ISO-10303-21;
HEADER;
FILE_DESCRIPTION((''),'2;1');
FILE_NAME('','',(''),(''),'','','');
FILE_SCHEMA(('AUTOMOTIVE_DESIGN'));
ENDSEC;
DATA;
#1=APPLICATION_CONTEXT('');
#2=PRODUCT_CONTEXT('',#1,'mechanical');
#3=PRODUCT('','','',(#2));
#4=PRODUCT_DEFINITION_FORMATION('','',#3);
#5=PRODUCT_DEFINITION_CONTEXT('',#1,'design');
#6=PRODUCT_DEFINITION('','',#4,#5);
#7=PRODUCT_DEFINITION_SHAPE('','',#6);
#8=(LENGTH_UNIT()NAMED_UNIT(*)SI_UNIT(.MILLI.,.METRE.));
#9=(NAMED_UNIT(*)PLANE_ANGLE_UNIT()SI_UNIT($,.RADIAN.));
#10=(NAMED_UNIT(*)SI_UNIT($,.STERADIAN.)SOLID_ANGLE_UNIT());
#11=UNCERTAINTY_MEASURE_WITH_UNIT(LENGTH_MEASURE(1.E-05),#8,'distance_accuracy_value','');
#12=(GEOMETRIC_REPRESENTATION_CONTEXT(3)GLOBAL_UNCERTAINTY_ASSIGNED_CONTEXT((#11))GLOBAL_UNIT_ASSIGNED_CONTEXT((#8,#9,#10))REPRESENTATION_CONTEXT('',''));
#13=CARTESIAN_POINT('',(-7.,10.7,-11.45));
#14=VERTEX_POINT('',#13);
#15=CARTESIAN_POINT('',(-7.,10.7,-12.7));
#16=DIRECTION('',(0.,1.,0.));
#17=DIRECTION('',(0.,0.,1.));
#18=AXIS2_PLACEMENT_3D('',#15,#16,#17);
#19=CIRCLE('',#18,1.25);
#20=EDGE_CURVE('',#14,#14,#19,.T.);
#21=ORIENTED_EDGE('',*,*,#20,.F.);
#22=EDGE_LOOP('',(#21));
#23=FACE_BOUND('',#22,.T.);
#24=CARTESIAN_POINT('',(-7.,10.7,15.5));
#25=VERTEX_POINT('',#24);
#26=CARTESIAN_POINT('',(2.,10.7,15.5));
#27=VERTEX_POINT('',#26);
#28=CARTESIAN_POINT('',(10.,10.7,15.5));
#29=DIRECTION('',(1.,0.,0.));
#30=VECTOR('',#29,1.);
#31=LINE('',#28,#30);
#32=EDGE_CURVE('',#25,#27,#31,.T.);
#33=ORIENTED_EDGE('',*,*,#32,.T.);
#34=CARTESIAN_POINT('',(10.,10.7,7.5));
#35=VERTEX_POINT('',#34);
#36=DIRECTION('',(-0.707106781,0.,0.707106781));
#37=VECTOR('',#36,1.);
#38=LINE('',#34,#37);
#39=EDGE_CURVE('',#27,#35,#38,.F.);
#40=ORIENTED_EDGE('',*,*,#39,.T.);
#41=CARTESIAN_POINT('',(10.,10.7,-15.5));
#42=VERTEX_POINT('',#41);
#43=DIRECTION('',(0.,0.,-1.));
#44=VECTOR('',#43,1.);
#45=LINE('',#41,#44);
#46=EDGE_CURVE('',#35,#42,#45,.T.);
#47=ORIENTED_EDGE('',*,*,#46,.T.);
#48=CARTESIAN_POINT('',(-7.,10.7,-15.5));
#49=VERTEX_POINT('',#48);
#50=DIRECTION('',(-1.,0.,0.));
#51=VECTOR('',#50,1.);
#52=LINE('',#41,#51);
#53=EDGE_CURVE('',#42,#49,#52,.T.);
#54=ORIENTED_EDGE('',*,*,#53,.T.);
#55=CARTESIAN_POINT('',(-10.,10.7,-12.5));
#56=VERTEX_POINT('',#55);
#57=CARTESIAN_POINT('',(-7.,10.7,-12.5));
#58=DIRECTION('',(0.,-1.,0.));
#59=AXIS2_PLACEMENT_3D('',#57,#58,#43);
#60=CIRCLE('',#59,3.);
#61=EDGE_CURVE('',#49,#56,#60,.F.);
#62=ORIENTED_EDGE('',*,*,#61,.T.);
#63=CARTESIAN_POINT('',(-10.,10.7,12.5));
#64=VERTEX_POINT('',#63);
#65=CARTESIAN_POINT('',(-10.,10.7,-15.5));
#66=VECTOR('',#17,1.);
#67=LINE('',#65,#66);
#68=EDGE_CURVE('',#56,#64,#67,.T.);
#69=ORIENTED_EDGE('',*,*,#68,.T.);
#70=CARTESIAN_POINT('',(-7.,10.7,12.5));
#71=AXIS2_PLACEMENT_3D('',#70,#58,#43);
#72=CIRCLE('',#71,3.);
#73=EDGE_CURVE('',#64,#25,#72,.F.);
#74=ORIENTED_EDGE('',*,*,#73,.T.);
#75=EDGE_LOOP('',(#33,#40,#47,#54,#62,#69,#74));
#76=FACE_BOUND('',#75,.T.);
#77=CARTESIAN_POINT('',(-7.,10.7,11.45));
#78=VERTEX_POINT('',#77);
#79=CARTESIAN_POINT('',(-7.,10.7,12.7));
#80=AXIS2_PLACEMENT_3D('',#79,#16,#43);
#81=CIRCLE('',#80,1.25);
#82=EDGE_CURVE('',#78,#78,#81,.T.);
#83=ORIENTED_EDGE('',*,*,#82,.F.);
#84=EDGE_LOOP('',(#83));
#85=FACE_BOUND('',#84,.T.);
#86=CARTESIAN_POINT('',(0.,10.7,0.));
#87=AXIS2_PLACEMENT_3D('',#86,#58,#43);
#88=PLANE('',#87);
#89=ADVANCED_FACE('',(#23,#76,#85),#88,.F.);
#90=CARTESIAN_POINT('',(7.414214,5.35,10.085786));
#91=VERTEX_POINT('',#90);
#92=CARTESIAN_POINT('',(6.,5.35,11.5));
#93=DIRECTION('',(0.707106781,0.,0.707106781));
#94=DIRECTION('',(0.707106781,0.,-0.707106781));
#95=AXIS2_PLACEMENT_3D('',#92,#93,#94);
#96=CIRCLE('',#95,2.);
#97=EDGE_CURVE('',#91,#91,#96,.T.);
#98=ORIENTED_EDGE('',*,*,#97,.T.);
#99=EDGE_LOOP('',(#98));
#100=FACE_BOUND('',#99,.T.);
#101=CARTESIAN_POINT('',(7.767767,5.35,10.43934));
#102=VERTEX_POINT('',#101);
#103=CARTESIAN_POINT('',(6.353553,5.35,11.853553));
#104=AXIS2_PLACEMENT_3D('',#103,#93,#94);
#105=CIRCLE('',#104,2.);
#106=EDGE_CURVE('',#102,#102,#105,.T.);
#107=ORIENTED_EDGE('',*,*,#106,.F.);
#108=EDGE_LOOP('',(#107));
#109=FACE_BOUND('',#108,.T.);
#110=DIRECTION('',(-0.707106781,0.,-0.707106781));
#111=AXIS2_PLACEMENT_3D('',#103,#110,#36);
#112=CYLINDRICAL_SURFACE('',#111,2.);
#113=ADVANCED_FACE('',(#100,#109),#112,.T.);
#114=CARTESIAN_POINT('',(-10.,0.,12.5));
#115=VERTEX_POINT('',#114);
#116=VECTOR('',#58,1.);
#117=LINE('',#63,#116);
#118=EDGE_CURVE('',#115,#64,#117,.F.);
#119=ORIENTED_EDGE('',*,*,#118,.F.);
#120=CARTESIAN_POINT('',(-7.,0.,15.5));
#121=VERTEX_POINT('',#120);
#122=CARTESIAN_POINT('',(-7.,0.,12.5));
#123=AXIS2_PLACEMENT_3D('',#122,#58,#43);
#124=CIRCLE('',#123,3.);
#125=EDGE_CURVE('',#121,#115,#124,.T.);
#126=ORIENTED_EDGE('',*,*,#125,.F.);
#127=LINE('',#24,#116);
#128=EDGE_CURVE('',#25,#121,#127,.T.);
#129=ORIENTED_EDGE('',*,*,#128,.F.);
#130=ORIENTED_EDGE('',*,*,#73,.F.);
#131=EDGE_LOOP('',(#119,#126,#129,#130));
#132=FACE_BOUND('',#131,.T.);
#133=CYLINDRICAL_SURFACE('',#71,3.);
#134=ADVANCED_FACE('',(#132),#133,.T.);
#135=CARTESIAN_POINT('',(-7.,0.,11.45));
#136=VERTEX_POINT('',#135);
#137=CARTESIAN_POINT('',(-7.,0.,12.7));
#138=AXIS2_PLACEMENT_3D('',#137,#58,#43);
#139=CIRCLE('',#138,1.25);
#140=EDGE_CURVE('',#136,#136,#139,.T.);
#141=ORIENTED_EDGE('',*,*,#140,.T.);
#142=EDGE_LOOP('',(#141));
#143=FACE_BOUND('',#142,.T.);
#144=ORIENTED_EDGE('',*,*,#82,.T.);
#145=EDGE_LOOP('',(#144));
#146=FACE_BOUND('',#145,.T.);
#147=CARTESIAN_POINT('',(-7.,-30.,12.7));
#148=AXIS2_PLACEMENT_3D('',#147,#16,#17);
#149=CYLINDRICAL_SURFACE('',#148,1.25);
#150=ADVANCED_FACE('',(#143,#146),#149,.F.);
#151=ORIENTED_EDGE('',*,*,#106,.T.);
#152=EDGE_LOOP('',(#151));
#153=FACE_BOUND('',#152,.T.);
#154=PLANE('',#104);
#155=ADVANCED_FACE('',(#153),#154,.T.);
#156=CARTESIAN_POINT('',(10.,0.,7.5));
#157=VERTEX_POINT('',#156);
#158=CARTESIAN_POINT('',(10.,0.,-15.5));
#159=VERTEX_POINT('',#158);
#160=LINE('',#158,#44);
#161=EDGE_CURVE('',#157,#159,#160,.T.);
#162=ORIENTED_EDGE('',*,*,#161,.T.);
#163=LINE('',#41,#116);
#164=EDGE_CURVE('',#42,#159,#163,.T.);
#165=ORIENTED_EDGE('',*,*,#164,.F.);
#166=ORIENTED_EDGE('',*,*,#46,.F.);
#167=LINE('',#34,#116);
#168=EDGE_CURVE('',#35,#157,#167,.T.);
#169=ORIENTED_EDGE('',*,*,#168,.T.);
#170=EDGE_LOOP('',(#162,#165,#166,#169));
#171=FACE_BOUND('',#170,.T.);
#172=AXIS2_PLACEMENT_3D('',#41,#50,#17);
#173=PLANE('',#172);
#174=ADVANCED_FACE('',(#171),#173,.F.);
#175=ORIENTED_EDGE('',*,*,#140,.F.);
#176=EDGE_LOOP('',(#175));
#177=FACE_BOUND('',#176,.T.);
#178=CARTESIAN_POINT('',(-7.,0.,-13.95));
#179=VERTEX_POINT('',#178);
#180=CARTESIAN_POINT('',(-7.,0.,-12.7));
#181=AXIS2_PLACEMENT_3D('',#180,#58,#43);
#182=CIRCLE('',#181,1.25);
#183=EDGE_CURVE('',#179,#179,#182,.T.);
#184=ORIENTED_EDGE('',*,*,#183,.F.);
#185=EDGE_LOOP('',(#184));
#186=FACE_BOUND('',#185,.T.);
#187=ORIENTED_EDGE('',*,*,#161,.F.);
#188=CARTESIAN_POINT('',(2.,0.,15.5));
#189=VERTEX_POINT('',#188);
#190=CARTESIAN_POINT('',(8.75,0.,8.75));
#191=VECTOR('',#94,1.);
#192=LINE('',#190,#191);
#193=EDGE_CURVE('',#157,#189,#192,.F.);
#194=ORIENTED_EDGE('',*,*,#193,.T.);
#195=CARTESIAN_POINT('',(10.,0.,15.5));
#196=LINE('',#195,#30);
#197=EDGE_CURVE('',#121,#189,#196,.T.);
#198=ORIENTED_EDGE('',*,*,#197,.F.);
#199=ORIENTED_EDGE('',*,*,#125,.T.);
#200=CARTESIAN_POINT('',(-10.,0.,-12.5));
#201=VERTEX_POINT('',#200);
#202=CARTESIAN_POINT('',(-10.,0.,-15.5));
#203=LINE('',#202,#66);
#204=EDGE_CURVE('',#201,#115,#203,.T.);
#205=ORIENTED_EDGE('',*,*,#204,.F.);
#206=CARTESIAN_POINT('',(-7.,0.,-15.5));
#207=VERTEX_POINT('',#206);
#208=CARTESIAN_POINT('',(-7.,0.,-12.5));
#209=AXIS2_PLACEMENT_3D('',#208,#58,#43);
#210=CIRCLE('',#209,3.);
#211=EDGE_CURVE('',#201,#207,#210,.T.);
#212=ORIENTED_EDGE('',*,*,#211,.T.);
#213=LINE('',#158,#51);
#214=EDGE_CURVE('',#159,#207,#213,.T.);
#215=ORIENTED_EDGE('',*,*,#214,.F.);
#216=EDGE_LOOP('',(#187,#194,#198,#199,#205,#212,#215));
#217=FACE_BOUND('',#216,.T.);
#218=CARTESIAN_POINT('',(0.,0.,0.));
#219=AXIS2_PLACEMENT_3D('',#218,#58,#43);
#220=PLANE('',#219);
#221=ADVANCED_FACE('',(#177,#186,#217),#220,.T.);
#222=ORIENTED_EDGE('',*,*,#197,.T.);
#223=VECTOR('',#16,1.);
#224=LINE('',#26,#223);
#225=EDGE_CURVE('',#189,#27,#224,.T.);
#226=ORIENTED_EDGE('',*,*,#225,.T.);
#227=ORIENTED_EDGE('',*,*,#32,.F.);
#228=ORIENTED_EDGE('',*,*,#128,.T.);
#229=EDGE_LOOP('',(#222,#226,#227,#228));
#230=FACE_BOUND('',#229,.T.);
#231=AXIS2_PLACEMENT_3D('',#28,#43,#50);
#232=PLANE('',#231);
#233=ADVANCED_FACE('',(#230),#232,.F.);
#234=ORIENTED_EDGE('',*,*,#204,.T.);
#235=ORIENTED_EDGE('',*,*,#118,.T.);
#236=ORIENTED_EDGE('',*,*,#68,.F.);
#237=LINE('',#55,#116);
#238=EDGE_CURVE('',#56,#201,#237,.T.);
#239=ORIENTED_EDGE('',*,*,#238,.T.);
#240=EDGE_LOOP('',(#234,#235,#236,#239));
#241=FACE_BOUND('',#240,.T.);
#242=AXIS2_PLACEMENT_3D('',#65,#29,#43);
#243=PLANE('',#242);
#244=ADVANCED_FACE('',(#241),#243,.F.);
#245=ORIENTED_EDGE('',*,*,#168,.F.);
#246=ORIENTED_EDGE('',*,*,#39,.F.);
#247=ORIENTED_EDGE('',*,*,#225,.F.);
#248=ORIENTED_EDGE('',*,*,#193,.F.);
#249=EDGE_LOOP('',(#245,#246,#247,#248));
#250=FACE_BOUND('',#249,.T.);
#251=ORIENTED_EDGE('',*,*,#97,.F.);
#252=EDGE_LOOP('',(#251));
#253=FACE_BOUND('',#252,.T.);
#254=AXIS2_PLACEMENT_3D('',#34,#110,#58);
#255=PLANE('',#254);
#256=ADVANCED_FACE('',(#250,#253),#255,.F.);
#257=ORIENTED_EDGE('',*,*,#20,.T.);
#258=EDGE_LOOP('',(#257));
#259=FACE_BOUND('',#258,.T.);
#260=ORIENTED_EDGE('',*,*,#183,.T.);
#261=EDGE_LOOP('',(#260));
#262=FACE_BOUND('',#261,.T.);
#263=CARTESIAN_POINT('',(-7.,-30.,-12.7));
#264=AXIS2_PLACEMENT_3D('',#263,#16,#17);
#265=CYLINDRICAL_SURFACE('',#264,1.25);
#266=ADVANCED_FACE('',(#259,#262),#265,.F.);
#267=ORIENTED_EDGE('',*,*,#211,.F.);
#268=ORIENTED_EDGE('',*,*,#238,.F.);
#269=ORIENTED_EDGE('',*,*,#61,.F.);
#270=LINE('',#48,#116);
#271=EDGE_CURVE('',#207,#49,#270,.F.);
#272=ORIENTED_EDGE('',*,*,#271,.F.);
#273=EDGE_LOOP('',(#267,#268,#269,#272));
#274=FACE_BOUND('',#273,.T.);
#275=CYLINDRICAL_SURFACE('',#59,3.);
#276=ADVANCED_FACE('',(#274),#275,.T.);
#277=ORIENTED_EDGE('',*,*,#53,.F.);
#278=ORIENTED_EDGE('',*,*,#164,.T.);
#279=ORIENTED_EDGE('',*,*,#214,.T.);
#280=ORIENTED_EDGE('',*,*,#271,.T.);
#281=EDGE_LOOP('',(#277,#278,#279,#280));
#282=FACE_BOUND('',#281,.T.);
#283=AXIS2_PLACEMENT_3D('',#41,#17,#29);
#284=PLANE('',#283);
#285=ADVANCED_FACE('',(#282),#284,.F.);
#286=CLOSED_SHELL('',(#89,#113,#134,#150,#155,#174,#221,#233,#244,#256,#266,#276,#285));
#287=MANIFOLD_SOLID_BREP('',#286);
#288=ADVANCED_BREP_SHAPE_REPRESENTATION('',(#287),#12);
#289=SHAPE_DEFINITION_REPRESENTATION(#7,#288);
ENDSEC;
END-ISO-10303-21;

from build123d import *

# Parameters (mm, degrees)
SKETCH_1_W          = 20
SKETCH_1_H          = 31
EXTRUDE_1_DEPTH     = 10.7
SKETCH_2_R          = 1.25
CUT_EXTRUDE_1_DEPTH = 40.7
CHAMFER_1_SIZE      = 8
SKETCH_3_R          = 2
EXTRUDE_2_DEPTH     = 0.5
FILLET_1_R          = 3


with BuildPart() as part:
    # 草图1 → 凸台-拉伸1 (new body)
    with BuildSketch(Plane(origin=(0, 0, 0), x_dir=(1, 0, 0), z_dir=(0, 1, 0))):
        Rectangle(SKETCH_1_W, SKETCH_1_H)
    extrude(amount=EXTRUDE_1_DEPTH)

    # 草图2 → 切除-拉伸1 (cut)
    with BuildSketch(Plane(origin=(0, 10.7, 0), x_dir=(1, 0, 0), z_dir=(0, 1, 0))):
        with Locations(Location((-7, 12.7, 0), (0, 0, 270))):
            Circle(SKETCH_2_R)
        with Locations(Location((-7, -12.7, 0), (0, 0, 90))):
            Circle(SKETCH_2_R)
    extrude(amount=-CUT_EXTRUDE_1_DEPTH, mode=Mode.SUBTRACT)

    # 倒角1
    chamfer_1_edges = [part.edges().sort_by_distance(p)[0] for p in [
        (10, 5.35, 15.5),
    ]]
    chamfer(chamfer_1_edges, length=CHAMFER_1_SIZE)

    # 草图3 → 凸台-拉伸2 (add)
    with BuildSketch(Plane(origin=(8.75, 0, 8.75), x_dir=(0.7071067811865485, 0, -0.7071067811865466), z_dir=(0.7071067811865466, 0, 0.7071067811865485))):
        with Locations((-3.889087297, 5.35)):
            Circle(SKETCH_3_R)
    extrude(amount=EXTRUDE_2_DEPTH)

    # 圆角1
    fillet_1_edges = [part.edges().sort_by_distance(p)[0] for p in [
        (-10, 5.35, -15.5),
        (-10, 5.35, 15.5),
    ]]
    fillet(fillet_1_edges, radius=FILLET_1_R)


solid = part.part
